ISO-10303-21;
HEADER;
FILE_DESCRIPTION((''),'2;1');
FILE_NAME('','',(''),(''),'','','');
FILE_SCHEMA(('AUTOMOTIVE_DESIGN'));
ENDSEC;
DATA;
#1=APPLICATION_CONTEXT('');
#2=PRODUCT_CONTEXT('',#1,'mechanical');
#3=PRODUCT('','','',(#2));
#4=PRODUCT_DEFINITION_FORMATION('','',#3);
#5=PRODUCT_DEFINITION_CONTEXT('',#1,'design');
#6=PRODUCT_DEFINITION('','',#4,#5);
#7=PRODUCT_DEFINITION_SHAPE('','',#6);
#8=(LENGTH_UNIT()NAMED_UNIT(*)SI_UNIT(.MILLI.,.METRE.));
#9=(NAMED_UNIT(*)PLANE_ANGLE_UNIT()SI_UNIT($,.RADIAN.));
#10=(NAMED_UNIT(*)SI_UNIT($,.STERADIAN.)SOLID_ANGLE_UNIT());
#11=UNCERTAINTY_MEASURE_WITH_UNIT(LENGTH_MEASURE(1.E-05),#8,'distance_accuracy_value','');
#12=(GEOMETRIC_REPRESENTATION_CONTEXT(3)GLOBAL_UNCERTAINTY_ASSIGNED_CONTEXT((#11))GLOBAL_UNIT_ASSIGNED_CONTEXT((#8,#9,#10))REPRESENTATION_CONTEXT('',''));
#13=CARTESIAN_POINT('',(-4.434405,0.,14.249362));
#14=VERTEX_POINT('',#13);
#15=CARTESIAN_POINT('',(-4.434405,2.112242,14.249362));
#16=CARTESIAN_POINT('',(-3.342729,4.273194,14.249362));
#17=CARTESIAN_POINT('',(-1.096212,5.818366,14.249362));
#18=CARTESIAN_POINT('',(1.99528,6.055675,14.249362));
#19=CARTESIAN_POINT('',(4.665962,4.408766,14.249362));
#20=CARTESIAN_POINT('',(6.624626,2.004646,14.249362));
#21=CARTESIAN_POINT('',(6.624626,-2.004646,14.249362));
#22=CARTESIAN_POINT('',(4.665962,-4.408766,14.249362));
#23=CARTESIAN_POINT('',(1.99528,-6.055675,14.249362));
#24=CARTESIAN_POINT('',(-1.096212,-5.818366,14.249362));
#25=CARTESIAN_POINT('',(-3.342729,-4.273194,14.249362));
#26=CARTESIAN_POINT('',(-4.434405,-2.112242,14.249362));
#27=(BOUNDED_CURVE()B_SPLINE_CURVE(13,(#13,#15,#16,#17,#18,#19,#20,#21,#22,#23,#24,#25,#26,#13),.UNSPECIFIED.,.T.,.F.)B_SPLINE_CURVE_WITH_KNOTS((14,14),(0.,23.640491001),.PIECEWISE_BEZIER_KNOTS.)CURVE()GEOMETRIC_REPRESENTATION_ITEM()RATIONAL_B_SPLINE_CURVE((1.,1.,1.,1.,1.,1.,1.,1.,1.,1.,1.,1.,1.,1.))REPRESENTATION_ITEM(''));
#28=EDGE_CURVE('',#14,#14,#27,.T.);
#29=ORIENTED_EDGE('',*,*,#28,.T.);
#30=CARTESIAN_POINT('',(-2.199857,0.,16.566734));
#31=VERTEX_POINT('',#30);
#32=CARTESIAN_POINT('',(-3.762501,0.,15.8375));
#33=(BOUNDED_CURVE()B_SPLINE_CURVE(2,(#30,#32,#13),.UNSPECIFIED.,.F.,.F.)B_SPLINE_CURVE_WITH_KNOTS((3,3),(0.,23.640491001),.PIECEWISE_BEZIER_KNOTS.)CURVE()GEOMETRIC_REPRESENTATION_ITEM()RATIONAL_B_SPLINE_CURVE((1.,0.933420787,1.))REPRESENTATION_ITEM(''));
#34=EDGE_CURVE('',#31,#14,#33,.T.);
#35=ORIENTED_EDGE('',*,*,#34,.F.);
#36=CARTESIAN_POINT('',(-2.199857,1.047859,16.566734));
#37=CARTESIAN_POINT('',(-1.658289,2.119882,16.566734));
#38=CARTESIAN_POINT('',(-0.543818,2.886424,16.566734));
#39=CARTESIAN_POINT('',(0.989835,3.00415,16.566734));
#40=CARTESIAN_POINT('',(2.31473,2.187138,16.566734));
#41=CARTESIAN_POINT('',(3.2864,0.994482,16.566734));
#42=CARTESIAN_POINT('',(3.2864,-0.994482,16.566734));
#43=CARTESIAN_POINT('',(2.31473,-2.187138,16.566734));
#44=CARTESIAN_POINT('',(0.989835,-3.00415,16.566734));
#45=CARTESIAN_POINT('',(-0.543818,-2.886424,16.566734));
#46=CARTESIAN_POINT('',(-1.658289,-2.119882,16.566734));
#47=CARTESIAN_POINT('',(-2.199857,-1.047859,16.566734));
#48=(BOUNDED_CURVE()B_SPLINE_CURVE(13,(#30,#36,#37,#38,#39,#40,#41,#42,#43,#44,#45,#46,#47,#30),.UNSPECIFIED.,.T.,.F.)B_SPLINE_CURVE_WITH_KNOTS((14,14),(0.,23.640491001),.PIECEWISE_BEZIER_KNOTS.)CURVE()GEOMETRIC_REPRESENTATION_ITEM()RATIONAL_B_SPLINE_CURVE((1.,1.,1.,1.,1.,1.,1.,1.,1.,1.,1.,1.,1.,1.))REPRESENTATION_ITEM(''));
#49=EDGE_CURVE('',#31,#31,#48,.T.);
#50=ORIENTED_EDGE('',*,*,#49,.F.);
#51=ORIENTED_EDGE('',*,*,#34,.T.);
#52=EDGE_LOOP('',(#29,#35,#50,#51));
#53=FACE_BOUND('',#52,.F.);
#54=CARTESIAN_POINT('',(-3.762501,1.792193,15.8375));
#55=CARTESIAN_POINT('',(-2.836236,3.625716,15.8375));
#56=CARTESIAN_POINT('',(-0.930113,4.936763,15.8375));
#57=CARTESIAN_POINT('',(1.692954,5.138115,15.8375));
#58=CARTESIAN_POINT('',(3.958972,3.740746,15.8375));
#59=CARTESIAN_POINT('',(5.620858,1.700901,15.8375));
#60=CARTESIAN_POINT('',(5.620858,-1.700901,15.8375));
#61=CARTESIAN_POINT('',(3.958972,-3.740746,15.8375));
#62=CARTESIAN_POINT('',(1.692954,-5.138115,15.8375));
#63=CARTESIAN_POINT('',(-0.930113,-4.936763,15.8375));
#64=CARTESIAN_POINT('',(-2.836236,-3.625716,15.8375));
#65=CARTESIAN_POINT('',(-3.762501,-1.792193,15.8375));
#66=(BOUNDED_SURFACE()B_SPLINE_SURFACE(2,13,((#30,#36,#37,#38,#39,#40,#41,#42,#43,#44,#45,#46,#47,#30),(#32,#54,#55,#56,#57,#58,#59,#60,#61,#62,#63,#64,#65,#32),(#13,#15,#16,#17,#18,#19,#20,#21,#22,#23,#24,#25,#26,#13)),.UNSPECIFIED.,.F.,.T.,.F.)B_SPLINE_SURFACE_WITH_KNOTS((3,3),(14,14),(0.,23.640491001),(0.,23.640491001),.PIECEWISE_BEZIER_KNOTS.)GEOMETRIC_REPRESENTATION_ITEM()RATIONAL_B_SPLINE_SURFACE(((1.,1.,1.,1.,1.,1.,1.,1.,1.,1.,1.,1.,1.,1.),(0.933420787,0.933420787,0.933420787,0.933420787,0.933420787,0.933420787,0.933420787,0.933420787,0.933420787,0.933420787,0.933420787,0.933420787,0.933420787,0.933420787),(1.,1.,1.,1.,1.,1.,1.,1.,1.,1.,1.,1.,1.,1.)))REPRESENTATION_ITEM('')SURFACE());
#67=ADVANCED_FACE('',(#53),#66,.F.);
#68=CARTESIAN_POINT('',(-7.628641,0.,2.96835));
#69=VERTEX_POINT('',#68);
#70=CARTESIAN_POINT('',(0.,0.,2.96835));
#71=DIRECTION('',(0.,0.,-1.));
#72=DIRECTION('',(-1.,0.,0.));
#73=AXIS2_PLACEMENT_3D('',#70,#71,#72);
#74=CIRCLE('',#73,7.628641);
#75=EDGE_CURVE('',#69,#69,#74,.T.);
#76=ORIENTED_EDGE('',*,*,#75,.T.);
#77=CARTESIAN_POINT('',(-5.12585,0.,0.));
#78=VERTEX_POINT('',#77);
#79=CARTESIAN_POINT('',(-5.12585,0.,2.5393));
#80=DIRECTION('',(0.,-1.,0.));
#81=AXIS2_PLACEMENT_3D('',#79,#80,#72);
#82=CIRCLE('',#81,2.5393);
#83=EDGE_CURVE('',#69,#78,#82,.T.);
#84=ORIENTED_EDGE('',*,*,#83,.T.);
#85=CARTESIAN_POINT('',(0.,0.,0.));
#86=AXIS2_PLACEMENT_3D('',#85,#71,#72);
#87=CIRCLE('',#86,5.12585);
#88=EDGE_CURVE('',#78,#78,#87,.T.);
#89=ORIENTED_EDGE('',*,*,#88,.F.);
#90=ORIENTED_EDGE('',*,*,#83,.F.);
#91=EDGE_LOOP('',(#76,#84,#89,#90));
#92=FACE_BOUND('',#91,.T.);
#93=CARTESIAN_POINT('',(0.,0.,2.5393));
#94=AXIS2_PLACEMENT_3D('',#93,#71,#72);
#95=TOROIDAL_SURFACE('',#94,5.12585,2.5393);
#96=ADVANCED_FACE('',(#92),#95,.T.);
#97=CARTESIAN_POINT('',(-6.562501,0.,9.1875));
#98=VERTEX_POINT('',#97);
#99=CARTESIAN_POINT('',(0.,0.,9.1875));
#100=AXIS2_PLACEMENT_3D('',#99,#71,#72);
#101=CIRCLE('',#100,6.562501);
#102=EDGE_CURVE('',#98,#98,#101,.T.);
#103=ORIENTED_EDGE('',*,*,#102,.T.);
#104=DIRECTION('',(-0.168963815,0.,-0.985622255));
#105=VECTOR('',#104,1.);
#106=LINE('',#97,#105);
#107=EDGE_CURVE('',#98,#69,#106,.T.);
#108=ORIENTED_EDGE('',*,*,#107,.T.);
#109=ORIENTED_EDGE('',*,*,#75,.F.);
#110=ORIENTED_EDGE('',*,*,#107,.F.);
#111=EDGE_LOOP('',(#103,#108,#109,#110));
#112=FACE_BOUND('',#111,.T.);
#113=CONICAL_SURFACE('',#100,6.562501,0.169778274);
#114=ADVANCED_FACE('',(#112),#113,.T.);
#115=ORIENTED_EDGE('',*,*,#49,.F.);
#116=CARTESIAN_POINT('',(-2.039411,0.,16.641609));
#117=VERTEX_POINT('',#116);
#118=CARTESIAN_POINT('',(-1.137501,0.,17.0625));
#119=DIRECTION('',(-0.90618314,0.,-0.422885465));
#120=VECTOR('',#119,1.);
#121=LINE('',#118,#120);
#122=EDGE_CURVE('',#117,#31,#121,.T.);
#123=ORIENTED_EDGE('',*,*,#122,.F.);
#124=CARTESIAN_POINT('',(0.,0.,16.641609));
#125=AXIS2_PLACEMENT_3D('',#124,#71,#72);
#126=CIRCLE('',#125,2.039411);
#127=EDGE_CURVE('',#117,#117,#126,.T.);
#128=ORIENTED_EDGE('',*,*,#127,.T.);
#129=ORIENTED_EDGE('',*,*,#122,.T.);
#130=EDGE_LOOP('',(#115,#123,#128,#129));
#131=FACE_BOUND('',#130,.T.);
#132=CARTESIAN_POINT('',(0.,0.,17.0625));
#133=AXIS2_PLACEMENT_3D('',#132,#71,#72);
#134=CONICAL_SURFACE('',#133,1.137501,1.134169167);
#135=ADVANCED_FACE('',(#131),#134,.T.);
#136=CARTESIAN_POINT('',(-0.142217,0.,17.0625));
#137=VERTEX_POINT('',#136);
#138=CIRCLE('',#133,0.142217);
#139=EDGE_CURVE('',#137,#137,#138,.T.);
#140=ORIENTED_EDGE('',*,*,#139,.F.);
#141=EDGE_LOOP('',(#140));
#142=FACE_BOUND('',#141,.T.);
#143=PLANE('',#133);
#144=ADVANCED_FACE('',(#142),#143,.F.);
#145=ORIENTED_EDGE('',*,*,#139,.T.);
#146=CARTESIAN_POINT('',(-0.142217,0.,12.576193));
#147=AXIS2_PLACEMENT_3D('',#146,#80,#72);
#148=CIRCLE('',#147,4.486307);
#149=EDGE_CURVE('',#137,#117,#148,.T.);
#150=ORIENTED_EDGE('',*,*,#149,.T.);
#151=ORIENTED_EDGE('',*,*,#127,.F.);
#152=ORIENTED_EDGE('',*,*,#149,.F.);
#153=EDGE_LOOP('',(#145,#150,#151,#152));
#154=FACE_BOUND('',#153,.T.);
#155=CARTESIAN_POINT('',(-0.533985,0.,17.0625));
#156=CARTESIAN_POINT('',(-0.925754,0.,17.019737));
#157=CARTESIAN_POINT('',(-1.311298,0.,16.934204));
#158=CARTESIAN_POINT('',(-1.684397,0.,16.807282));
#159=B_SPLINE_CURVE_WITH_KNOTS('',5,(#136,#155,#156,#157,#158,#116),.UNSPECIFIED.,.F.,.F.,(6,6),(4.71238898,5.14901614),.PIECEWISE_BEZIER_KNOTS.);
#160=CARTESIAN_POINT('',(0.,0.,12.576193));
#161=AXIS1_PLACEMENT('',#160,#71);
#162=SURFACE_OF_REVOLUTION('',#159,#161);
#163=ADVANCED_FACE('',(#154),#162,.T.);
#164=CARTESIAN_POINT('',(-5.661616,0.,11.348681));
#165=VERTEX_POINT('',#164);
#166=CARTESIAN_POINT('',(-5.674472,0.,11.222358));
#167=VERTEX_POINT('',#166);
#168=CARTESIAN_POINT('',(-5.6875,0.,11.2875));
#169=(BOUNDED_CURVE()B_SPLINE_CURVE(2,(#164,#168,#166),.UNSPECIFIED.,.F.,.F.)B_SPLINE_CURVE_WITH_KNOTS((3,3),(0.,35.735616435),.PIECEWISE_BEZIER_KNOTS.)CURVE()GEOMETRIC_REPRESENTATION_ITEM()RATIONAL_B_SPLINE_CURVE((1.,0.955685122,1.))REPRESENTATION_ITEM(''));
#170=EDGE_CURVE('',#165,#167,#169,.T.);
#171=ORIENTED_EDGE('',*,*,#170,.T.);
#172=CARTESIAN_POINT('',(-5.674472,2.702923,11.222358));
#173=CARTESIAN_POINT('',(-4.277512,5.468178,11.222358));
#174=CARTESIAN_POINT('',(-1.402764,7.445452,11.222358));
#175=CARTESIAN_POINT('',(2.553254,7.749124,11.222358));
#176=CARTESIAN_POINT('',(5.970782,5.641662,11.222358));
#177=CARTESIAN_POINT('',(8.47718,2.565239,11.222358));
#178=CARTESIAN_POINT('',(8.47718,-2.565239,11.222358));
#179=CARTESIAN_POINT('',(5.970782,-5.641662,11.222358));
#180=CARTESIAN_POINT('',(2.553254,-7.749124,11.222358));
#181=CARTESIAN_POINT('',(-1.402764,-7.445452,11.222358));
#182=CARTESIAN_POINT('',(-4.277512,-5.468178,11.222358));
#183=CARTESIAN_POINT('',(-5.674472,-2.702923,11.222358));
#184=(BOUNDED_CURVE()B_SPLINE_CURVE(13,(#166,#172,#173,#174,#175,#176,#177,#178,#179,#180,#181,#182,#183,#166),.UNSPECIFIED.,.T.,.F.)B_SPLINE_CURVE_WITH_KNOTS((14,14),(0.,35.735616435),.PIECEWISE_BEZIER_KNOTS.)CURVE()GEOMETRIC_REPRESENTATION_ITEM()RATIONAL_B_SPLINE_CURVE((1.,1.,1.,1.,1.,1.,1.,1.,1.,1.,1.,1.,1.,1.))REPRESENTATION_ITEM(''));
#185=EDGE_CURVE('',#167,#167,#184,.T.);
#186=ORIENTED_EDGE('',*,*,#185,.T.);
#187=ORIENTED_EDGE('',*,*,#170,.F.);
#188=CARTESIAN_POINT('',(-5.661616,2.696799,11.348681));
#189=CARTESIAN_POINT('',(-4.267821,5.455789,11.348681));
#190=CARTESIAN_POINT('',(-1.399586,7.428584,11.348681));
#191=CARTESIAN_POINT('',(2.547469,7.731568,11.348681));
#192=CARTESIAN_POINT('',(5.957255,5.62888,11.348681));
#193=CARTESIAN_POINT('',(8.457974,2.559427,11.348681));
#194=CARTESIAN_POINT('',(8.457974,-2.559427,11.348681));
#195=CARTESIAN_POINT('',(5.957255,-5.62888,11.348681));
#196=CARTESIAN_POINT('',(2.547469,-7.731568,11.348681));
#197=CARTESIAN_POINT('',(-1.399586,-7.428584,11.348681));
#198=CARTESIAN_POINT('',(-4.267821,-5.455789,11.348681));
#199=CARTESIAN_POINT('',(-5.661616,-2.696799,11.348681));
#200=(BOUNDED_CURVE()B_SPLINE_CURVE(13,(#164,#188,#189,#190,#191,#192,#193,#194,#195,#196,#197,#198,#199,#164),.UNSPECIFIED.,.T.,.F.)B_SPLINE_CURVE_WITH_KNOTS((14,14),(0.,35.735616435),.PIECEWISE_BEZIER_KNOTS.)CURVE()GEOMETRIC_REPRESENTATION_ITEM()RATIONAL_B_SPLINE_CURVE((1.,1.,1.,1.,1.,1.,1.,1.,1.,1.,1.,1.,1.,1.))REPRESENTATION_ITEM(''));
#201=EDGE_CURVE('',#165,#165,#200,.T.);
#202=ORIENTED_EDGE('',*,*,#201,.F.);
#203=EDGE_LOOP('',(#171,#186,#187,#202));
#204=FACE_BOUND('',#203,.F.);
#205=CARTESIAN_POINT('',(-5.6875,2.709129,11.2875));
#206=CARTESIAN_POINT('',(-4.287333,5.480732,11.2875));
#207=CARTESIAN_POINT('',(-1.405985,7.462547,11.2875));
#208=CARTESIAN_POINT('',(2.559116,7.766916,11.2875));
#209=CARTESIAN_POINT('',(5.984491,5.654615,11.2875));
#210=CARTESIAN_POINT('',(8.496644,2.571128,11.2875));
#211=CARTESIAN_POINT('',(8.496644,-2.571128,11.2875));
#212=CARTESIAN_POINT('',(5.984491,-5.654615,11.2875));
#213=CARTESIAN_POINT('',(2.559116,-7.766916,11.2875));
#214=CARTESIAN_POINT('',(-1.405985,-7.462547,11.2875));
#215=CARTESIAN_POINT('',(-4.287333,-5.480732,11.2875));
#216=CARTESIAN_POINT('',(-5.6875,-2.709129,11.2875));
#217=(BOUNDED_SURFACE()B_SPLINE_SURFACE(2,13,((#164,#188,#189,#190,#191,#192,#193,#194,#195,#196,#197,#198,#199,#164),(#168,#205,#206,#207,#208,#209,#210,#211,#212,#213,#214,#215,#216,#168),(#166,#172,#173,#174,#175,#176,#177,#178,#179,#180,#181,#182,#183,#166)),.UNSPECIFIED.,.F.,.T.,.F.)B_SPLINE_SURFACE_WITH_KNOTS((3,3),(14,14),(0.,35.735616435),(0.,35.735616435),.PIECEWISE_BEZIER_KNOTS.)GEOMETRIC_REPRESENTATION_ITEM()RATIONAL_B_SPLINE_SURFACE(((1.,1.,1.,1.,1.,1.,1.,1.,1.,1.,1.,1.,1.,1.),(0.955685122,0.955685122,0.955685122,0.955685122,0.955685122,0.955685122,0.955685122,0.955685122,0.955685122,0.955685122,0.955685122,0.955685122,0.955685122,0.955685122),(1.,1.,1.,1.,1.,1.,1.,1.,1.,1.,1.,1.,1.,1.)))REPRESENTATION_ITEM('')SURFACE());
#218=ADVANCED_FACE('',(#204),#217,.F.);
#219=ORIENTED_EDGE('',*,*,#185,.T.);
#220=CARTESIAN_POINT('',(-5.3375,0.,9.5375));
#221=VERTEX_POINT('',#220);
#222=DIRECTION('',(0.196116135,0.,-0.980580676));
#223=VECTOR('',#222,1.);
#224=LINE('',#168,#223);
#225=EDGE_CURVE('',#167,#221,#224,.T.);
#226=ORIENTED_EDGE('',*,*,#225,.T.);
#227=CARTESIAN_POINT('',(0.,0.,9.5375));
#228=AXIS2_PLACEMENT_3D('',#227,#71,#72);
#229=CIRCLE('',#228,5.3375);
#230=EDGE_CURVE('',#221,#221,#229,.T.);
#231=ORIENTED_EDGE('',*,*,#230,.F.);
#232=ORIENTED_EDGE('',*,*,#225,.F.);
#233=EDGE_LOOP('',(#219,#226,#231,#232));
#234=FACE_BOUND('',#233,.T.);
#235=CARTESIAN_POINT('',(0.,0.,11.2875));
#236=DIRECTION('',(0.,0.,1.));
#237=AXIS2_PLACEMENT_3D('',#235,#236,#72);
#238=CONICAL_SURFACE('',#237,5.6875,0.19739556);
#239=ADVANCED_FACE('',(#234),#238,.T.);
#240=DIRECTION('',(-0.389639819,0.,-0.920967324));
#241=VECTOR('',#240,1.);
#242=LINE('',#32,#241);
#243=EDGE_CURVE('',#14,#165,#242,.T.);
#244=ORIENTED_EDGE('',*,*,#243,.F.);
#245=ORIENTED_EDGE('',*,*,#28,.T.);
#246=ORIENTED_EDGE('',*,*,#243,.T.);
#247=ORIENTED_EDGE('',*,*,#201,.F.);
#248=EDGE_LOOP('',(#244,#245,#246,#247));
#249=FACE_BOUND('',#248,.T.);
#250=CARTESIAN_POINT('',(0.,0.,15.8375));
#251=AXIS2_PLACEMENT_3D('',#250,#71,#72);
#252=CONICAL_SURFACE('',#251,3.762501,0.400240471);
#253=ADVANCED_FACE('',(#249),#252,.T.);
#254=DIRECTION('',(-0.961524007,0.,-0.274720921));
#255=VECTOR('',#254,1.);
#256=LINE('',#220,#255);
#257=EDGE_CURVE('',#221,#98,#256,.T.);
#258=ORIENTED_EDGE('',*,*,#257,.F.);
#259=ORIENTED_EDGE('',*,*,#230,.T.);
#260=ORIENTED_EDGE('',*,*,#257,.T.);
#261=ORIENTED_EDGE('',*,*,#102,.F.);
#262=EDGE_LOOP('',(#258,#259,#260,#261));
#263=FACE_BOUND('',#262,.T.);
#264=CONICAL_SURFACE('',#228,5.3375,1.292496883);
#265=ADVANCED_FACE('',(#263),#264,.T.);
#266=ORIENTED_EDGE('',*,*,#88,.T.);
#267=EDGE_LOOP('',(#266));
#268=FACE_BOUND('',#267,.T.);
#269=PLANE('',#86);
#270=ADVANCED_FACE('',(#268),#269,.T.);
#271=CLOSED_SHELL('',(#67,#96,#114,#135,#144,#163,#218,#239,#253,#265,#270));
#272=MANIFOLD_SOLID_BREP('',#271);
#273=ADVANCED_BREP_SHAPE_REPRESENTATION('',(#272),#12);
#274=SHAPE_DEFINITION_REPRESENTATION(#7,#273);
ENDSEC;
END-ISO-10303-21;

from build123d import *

# Parameters (mm, degrees)
F2_R = 4.486307
F3_R = 0.215658
F4_R = 2.5393


with BuildPart() as f1:
    # F0 (on Front) → F1 (revolve)
    with BuildSketch(Plane.XZ):
        Polygon((-8.137501, 0), (0, 0), (0, 17.0625), (-1.137501, 17.0625), (-3.762501, 15.8375), (-5.6875, 11.2875), (-5.3375, 9.5375), (-6.562501, 9.1875), align=None)
    revolve(axis=Axis((0, 0, 8.53125), (0, 0, -1)))

    # F2
    f2_edges = [f1.edges().sort_by_distance(p)[0] for p in [
        (1.137501, 0, 17.0625),
        (3.762501, 0, 15.8375),
        (-2.450001, 0, 16.45),
    ]]
    fillet(f2_edges, radius=F2_R)

    # F3
    f3_edges = [f1.edges().sort_by_distance(p)[0] for p in [
        (-5.060953, 0, 12.768431),
        (4.434386, 0, 14.249362),
        (5.6875, 0, 11.2875),
    ]]
    fillet(f3_edges, radius=F3_R)

    # F4
    f4_edges = [f1.edges().sort_by_distance(p)[0] for p in [
        (8.137501, 0, 0),
    ]]
    fillet(f4_edges, radius=F4_R)


solid = f1.part
